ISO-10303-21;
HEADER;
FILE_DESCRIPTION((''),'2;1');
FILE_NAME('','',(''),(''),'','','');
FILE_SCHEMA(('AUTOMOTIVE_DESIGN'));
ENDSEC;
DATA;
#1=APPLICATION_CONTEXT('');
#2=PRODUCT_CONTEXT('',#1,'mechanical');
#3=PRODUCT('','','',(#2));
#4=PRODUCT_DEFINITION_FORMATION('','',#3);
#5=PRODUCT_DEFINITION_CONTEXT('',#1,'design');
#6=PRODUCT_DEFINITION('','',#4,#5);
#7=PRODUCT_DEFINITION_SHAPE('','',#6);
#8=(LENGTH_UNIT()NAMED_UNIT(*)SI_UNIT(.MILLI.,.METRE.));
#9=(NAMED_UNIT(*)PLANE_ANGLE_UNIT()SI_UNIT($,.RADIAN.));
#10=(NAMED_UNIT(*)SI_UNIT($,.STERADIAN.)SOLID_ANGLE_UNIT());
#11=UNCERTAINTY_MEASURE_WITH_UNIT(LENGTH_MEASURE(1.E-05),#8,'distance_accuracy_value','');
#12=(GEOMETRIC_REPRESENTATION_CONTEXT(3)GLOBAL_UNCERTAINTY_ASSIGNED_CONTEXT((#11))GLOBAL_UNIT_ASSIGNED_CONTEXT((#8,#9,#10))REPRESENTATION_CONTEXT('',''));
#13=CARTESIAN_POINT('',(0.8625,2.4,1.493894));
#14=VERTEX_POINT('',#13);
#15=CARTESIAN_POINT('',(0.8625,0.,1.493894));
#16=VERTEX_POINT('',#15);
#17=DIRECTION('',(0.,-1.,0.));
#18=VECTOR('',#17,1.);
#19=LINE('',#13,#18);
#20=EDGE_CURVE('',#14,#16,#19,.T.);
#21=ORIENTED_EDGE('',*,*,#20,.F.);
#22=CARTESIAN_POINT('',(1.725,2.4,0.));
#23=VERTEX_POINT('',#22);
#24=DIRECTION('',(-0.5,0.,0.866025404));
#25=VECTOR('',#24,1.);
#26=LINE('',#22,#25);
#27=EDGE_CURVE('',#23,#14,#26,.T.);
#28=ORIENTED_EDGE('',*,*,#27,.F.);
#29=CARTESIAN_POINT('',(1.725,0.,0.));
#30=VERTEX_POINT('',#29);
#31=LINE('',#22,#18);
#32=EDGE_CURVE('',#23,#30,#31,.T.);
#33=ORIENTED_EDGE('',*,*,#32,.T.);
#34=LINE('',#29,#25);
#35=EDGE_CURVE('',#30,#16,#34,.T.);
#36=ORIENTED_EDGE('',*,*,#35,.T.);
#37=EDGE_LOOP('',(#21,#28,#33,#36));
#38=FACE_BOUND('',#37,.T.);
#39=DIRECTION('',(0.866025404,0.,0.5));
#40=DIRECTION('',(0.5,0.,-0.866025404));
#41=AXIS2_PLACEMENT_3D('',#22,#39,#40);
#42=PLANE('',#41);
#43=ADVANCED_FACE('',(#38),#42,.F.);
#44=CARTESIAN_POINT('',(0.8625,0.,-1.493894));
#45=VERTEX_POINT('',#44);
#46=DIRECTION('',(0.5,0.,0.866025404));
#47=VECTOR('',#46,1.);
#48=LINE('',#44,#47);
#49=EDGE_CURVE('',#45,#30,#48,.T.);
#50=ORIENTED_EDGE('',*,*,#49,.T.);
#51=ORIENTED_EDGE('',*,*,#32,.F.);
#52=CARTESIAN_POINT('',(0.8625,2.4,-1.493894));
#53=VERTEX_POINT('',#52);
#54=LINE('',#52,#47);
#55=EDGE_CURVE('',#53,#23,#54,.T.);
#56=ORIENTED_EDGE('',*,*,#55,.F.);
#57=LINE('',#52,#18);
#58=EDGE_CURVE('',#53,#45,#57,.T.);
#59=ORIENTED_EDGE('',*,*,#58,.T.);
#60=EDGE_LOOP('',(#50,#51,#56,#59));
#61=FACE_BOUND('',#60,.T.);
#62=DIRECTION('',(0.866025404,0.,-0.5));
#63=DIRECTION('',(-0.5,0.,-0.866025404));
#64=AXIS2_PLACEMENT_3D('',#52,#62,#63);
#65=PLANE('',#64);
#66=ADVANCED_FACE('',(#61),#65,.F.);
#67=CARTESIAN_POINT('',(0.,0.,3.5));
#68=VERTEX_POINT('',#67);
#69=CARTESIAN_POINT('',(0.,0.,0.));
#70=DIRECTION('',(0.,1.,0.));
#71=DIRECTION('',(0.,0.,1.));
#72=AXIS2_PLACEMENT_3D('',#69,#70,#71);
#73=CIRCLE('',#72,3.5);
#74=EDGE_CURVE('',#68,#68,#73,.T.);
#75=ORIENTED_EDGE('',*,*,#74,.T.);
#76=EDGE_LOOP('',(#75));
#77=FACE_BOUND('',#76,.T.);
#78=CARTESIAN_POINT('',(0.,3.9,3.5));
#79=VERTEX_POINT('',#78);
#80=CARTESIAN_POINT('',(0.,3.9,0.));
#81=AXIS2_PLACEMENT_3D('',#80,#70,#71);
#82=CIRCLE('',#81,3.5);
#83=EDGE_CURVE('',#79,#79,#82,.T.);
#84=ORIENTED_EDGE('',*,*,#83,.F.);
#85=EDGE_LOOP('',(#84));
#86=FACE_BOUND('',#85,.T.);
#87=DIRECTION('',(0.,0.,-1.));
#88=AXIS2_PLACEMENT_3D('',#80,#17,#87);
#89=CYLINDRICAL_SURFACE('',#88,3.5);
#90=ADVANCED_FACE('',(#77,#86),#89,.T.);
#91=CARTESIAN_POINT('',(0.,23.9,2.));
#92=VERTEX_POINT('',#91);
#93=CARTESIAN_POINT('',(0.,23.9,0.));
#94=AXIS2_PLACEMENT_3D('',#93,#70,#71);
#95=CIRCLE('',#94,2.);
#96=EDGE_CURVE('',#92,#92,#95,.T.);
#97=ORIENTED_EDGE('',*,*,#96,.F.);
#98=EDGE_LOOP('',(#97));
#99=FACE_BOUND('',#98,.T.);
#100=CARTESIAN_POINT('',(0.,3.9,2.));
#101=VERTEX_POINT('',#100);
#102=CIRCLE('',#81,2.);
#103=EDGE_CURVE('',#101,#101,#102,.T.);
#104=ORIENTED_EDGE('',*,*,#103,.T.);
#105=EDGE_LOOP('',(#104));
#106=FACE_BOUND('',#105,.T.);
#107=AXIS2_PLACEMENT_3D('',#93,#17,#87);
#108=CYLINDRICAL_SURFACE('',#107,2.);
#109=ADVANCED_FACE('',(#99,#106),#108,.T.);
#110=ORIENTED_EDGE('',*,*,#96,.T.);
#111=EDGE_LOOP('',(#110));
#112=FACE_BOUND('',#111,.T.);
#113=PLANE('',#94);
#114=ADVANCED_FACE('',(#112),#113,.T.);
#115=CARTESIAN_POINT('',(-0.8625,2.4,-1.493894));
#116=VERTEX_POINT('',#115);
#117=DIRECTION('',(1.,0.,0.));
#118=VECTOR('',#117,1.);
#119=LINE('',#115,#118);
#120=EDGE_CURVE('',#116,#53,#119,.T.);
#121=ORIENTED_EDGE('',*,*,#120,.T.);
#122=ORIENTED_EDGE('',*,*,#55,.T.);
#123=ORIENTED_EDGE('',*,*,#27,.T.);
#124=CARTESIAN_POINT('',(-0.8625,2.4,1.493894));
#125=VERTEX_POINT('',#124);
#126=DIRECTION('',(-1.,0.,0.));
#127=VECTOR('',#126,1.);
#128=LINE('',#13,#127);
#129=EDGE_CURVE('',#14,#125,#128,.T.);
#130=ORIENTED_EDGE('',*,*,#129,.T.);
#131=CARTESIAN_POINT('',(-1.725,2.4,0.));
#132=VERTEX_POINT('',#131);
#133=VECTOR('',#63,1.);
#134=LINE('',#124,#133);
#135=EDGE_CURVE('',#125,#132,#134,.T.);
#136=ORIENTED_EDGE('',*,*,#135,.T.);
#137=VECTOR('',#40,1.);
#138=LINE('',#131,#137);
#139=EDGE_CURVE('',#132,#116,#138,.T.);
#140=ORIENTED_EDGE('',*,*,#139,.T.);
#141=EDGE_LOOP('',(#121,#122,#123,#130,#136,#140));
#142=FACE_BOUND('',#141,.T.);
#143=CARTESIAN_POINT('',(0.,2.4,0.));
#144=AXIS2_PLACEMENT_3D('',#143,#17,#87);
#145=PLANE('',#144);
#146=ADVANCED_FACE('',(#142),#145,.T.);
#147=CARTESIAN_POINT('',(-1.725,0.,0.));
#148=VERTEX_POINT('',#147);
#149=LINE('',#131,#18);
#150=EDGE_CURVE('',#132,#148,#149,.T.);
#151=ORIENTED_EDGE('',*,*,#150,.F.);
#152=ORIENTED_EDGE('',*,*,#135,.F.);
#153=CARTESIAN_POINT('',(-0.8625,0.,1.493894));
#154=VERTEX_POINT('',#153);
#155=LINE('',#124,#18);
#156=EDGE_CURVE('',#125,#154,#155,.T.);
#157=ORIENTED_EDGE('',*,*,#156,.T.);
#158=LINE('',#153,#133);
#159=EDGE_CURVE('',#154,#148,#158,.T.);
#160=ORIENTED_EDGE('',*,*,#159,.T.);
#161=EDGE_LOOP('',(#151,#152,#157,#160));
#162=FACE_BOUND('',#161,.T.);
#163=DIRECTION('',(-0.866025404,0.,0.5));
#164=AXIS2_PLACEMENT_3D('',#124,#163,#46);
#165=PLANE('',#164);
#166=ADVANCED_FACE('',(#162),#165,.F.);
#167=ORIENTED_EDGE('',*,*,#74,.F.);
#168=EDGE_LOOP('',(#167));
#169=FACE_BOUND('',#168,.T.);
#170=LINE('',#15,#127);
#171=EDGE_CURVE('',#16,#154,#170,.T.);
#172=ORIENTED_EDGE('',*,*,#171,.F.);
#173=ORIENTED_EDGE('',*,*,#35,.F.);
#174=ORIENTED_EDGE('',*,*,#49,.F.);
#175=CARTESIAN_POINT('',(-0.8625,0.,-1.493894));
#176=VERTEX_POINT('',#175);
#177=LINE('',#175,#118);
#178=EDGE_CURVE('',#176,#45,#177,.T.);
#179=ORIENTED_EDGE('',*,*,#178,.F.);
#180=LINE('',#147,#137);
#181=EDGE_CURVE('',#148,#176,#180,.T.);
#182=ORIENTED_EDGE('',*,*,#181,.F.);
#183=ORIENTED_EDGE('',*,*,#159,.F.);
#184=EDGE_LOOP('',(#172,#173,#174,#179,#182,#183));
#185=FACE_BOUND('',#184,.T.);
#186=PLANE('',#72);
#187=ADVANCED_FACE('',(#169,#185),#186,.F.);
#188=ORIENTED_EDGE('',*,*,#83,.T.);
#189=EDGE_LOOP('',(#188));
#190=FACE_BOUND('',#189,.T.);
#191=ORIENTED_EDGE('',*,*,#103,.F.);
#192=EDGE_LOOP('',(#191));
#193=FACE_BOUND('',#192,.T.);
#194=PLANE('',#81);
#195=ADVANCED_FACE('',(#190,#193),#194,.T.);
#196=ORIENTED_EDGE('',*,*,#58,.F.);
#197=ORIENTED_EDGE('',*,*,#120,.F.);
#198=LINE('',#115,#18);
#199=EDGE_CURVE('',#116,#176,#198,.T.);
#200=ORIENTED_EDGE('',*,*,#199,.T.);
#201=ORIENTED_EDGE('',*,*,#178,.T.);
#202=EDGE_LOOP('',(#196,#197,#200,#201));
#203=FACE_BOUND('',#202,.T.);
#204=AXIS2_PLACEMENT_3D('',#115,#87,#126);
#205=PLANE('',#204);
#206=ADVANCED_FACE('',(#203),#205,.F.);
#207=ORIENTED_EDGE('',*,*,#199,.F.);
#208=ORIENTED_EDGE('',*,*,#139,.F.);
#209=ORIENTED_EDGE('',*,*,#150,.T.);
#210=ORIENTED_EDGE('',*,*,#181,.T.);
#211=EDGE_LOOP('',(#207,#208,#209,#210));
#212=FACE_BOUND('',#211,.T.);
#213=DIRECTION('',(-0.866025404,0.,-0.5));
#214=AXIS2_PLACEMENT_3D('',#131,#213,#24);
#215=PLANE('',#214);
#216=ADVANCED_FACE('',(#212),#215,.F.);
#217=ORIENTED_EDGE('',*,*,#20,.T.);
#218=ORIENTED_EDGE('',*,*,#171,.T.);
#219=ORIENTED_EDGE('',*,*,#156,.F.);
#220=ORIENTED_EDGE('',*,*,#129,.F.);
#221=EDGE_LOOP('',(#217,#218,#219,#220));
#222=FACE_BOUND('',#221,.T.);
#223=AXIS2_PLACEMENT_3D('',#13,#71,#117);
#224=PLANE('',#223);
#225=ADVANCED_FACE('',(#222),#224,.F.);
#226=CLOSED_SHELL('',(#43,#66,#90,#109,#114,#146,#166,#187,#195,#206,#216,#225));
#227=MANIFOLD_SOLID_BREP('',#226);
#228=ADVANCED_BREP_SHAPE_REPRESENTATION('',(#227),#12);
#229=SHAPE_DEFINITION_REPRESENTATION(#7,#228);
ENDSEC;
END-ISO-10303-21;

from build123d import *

# Parameters (mm, degrees)
SKETCH_1_R          = 3.5
EXTRUDE_1_DEPTH     = 3.9
SKETCH_2_R          = 2
EXTRUDE_2_DEPTH     = 20
CUT_EXTRUDE_1_DEPTH = 2.4


with BuildPart() as part:
    # 草图1 → 凸台-拉伸1 (new body)
    with BuildSketch(Plane(origin=(0, 0, 0), x_dir=(1, 0, 0), z_dir=(0, 1, 0))):
        Circle(SKETCH_1_R)
    extrude(amount=EXTRUDE_1_DEPTH)

    # 草图2 → 凸台-拉伸2 (add)
    with BuildSketch(Plane(origin=(0, 3.9, 0), x_dir=(1, 0, 0), z_dir=(0, 1, 0))):
        Circle(SKETCH_2_R)
    extrude(amount=EXTRUDE_2_DEPTH)

    # 草图3 → 切除-拉伸1 (cut)
    with BuildSketch(Plane.XZ):
        Polygon((1.725, 0), (0.8625, 1.493893822), (-0.8625, 1.493893822), (-1.725, 0), (-0.8625, -1.493893822), (0.8625, -1.493893822), align=None)
    extrude(amount=-CUT_EXTRUDE_1_DEPTH, mode=Mode.SUBTRACT)


solid = part.part
